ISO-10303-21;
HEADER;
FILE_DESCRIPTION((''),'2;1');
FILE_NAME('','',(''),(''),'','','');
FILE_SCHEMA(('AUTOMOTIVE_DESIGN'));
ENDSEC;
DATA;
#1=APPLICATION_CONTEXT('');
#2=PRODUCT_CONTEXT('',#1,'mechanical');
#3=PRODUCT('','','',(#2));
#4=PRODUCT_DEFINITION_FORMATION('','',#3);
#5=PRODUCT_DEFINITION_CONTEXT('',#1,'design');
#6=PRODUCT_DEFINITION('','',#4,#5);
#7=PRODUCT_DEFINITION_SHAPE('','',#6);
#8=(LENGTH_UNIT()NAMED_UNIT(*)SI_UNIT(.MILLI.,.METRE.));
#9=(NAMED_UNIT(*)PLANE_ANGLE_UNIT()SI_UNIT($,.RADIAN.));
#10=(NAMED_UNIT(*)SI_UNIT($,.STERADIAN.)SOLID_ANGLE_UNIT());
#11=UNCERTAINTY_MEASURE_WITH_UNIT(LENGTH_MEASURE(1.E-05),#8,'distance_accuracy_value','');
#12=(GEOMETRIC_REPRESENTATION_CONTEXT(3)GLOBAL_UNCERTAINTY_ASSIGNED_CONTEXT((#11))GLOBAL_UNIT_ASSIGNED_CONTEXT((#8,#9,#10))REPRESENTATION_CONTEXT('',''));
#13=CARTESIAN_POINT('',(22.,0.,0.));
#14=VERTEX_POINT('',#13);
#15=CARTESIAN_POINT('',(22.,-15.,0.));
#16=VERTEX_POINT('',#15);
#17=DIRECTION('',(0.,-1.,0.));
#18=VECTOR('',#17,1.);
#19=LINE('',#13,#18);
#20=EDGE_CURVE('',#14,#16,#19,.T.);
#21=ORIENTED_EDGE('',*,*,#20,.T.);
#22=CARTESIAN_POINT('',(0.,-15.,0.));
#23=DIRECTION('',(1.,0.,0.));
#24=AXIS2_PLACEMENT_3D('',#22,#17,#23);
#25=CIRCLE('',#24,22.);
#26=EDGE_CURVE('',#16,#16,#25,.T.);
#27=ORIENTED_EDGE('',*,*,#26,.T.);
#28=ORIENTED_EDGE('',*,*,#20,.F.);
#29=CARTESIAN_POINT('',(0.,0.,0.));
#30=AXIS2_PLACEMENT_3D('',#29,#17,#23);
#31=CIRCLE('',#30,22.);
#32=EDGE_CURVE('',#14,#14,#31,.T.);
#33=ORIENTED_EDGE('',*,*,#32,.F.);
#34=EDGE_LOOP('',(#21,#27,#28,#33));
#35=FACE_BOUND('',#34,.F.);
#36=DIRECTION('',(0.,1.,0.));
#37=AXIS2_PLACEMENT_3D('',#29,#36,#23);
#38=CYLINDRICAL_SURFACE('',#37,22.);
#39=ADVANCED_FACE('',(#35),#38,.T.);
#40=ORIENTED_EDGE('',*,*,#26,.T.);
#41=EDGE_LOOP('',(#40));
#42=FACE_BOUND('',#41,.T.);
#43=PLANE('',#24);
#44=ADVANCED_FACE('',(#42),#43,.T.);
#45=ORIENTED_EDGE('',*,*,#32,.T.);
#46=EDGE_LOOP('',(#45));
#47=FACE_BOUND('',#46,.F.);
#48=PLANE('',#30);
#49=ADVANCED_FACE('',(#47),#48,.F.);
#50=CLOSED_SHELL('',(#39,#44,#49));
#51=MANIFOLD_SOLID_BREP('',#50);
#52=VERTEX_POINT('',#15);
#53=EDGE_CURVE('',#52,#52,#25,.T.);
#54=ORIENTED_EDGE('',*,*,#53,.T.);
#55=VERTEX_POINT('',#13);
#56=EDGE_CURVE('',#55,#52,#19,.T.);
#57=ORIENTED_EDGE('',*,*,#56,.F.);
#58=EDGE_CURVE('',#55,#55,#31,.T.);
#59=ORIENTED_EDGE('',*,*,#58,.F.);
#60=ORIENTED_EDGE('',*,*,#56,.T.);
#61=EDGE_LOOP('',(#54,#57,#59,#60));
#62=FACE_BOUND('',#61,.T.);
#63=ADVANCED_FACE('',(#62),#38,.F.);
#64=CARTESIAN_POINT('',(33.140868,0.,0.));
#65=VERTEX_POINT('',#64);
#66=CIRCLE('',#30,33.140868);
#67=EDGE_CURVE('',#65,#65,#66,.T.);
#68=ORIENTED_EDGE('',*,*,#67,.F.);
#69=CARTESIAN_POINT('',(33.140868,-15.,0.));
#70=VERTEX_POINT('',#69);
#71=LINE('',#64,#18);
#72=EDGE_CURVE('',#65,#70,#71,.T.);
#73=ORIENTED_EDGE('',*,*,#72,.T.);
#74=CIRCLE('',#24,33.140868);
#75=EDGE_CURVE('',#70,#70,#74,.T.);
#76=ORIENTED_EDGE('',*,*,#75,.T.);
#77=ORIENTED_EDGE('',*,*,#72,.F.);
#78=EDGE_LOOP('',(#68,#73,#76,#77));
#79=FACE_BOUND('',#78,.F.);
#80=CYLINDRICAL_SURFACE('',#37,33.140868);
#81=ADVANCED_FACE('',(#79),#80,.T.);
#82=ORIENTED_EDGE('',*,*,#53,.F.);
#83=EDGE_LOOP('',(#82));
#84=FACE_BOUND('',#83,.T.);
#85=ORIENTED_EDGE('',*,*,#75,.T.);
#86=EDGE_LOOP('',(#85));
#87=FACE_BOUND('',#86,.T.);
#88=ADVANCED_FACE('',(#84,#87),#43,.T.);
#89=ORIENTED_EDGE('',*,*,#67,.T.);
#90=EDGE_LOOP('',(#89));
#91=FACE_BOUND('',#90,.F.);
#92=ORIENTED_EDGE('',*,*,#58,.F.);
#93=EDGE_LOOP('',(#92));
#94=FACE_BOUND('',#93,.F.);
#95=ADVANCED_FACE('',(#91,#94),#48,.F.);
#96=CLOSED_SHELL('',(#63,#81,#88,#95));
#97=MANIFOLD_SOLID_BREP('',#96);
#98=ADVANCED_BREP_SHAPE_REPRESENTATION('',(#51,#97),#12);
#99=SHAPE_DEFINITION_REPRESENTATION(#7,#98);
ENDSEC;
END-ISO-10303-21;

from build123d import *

# Parameters (mm, degrees)
F0_R     = 33.1408676413
F0_R_2   = 22
F2_DEPTH = 15
F1_R     = 22


with BuildPart() as f2:
    # F0 (on Front) → F2 (new body)
    with BuildSketch(Plane.XZ):
        Circle(F0_R)
        Circle(F0_R_2, mode=Mode.SUBTRACT)
    extrude(amount=F2_DEPTH)


with BuildPart() as f2b:
    # F1 (on face) → F2, piece 2 (new body)
    with BuildSketch(Plane.XZ):
        Circle(F1_R)
    extrude(amount=F2_DEPTH)


solid = Compound([f2.part, f2b.part])
